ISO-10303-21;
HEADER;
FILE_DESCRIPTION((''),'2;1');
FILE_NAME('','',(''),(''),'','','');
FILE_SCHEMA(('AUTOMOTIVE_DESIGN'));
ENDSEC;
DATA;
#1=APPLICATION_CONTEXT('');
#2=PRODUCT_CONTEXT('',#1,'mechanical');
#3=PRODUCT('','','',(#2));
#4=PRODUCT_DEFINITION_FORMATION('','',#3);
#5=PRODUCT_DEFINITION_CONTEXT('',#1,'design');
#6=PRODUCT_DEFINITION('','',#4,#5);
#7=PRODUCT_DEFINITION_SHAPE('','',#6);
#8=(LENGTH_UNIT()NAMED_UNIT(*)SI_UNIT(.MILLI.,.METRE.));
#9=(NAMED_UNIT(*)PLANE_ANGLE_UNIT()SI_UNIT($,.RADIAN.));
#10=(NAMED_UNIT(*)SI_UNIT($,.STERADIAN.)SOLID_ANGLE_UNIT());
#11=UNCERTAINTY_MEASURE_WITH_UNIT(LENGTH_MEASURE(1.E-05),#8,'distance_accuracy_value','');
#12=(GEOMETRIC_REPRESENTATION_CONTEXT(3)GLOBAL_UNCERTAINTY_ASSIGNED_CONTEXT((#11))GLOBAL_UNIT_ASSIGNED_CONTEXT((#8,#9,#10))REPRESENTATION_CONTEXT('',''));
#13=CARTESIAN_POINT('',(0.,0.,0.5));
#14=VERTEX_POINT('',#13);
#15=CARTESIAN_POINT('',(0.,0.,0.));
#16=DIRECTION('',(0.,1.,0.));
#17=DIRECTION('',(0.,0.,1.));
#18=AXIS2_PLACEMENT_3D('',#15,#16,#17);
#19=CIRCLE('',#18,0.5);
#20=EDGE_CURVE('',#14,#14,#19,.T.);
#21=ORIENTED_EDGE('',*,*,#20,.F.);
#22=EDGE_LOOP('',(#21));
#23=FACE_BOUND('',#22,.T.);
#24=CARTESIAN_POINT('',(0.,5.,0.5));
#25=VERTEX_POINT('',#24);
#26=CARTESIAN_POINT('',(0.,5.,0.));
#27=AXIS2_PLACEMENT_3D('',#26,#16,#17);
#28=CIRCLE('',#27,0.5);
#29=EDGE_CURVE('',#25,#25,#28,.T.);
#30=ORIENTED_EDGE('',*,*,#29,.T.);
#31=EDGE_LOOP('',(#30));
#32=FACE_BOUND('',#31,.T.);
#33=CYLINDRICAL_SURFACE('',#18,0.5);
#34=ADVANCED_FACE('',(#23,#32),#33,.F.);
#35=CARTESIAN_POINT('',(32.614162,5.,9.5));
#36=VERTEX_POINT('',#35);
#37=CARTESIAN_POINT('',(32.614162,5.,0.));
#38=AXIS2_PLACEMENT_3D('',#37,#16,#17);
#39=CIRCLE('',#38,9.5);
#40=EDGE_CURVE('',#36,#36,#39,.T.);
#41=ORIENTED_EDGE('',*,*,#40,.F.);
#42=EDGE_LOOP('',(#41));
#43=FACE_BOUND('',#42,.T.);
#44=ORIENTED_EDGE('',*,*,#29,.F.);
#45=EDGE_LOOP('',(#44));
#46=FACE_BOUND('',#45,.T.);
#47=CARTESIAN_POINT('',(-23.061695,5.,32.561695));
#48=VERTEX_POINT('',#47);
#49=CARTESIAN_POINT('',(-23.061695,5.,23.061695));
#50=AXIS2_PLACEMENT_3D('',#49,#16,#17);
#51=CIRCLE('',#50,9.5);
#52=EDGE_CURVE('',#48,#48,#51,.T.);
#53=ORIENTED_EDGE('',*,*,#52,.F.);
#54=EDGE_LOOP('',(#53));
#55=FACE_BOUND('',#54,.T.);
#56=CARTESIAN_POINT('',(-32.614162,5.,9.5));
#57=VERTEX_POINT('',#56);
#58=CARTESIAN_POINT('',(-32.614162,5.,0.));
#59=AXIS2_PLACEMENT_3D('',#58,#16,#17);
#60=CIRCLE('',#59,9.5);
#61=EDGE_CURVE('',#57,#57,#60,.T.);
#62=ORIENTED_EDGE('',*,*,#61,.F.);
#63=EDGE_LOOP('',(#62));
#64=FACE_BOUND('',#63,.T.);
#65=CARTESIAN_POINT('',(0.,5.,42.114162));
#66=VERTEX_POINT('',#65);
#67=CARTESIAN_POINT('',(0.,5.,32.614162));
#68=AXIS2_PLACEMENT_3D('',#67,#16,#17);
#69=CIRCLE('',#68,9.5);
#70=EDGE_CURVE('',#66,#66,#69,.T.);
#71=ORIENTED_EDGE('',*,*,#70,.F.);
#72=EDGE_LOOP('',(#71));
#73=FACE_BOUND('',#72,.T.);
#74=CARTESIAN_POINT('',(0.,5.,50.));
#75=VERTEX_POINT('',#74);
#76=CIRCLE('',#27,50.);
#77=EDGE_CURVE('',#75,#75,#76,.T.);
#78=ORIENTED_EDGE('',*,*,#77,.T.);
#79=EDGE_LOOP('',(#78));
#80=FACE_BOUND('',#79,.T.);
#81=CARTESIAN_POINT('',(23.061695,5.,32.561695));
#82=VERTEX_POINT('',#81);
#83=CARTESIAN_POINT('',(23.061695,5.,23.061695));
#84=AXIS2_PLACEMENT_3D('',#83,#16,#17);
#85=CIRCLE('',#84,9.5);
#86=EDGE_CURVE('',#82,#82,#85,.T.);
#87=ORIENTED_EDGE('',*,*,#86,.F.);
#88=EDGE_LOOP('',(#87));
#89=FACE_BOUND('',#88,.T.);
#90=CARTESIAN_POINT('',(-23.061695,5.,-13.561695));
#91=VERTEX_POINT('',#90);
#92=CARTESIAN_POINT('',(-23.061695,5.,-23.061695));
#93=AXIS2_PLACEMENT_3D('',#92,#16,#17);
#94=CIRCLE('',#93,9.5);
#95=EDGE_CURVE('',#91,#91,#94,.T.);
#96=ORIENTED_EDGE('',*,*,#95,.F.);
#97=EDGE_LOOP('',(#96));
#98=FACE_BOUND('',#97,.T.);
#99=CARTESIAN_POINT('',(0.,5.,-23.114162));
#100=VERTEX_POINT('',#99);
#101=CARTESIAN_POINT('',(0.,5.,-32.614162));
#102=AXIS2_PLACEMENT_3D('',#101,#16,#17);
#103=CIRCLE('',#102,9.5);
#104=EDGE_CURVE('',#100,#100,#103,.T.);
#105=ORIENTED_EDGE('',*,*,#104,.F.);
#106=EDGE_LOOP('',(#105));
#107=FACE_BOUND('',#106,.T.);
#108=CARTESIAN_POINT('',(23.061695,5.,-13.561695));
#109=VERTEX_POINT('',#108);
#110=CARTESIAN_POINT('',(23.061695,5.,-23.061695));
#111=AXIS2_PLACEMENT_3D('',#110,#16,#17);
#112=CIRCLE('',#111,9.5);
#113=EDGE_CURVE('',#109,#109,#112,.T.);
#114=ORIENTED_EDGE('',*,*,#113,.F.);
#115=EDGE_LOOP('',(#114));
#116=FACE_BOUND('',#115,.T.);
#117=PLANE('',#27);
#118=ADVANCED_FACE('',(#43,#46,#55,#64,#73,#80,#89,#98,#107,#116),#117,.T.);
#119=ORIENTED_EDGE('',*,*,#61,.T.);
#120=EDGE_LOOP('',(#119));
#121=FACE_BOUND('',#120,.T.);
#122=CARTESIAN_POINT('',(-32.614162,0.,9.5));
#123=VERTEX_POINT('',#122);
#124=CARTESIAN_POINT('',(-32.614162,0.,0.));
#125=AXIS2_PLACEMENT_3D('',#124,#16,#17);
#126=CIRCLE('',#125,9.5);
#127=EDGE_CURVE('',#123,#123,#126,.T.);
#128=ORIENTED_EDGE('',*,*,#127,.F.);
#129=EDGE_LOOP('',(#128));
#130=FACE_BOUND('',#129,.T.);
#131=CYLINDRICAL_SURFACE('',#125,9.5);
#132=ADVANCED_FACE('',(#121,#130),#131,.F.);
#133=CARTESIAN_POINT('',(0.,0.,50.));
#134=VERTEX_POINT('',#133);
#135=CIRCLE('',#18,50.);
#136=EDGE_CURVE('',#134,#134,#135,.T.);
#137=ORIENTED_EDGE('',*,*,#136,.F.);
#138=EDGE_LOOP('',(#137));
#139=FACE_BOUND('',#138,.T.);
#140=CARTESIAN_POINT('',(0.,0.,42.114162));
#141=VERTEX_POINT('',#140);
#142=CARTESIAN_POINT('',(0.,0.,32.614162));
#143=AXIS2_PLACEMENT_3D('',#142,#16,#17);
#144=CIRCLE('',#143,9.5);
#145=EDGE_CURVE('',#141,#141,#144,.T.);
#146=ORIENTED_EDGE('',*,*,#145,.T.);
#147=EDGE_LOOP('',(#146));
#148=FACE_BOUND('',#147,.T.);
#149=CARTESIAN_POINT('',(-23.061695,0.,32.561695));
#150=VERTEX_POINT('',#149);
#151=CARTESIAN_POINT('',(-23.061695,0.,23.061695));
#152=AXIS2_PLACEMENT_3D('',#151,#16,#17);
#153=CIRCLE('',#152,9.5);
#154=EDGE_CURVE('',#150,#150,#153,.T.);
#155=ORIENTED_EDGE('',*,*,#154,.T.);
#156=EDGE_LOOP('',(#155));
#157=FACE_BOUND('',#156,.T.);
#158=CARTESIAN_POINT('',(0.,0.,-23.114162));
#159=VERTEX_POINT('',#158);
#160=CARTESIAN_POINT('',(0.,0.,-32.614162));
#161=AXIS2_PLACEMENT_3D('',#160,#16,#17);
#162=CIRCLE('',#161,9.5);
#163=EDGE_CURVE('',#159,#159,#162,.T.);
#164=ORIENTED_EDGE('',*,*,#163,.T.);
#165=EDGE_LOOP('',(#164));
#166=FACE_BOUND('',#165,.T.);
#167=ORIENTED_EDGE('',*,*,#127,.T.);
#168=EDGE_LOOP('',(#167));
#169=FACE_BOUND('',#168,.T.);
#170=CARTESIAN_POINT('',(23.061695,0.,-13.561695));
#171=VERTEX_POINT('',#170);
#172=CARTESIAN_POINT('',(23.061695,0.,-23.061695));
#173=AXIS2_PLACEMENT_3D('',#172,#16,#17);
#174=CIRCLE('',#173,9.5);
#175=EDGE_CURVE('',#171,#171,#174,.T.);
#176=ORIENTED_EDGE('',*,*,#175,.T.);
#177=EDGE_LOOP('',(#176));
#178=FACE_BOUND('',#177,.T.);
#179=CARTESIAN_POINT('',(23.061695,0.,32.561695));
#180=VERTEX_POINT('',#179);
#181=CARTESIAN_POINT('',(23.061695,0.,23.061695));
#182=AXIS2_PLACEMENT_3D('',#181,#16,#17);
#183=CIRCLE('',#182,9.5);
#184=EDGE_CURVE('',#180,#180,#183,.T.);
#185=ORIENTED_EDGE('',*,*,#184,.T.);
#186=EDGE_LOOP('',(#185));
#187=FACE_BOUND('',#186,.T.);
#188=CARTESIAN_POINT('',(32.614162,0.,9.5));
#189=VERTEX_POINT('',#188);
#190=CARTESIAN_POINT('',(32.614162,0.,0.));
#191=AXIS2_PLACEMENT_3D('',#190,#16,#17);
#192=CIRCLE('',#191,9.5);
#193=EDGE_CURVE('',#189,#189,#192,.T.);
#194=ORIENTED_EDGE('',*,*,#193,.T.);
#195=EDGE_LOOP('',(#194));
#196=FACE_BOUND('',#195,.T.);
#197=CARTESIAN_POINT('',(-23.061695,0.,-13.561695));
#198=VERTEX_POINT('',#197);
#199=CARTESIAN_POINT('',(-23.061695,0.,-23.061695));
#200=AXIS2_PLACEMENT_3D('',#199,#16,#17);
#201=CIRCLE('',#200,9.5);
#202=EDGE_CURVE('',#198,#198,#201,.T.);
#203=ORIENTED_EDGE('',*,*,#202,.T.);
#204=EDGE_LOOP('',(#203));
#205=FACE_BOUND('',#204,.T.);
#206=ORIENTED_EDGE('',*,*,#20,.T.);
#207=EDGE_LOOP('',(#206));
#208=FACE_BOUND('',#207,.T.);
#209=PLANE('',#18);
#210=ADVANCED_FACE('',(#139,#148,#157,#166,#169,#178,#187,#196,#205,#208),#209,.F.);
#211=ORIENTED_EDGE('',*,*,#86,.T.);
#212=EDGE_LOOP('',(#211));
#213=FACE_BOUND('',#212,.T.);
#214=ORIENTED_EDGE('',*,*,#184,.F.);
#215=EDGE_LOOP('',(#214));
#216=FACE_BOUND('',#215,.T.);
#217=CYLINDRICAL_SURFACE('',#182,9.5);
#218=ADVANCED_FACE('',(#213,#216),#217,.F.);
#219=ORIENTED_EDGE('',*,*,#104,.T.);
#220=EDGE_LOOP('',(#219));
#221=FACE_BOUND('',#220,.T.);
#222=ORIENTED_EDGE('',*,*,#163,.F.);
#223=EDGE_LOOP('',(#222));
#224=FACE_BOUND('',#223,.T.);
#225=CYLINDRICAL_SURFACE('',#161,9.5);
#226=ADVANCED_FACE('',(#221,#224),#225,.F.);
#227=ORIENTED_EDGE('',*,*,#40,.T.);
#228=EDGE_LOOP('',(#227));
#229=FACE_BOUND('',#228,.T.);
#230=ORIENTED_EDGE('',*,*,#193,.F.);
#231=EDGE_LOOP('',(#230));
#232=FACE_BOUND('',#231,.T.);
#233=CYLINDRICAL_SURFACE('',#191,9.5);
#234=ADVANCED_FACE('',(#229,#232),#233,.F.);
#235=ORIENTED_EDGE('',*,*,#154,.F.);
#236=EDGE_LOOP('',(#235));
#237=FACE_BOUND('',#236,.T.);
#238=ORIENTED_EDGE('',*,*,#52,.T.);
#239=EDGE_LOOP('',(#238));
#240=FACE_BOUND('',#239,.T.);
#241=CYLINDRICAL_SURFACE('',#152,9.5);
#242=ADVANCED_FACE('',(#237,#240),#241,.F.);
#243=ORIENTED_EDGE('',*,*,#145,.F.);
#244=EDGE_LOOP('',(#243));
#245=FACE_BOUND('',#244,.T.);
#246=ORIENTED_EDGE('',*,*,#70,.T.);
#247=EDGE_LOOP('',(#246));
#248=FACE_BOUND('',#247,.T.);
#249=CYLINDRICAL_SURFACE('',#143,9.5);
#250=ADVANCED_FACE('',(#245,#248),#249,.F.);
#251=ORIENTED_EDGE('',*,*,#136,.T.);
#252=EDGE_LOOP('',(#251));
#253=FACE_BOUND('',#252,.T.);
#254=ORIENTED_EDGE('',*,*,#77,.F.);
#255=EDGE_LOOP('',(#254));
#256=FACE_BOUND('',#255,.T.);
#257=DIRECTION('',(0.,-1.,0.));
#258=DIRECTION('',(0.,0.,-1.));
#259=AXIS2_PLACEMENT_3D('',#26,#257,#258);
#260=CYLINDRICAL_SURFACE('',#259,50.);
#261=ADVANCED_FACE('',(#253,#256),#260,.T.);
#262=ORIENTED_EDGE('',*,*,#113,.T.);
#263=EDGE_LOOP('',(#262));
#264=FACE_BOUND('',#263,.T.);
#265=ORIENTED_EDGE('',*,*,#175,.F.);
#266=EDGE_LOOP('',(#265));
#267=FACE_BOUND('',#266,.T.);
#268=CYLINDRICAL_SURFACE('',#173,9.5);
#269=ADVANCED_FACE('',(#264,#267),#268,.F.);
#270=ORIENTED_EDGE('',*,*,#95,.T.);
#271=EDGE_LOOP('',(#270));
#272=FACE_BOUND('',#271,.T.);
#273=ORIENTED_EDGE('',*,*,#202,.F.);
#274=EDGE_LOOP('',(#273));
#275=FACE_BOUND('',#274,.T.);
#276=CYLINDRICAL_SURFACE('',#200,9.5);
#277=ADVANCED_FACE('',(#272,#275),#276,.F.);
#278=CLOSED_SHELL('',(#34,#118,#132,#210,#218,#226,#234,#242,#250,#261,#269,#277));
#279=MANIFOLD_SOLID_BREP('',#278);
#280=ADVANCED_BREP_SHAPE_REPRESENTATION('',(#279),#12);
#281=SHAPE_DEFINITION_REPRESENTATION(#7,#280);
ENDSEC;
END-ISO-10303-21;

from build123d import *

# Parameters (mm, degrees)
SKETCH1_R           = 50
BOSS_EXTRUDE1_DEPTH = 5
SKETCH2_R           = 9.5
SKETCH2_R_2         = 0.5
CUT_EXTRUDE1_DEPTH  = 5


with BuildPart() as part:
    # Sketch1 → Boss-Extrude1 (new body)
    with BuildSketch(Plane(origin=(0, 0, 0), x_dir=(1, 0, 0), z_dir=(0, 1, 0))):
        Circle(SKETCH1_R)
    extrude(amount=BOSS_EXTRUDE1_DEPTH)

    # Sketch2 → Cut-Extrude1 (cut)
    with BuildSketch(Plane(origin=(0, 5, 0), x_dir=(1, 0, 0), z_dir=(0, 1, 0))):
        with Locations((0, 32.614161607)):
            Circle(SKETCH2_R)
        Circle(SKETCH2_R_2)
        with Locations((23.061694835, 23.061694835)):
            Circle(SKETCH2_R)
        with Locations((32.614161607, 0)):
            Circle(SKETCH2_R)
        with Locations((23.061694835, -23.061694835)):
            Circle(SKETCH2_R)
        with Locations((0, -32.614161607)):
            Circle(SKETCH2_R)
        with Locations((-23.061694835, -23.061694835)):
            Circle(SKETCH2_R)
        with Locations((-32.614161607, 0)):
            Circle(SKETCH2_R)
        with Locations((-23.061694835, 23.061694835)):
            Circle(SKETCH2_R)
    extrude(amount=-CUT_EXTRUDE1_DEPTH, mode=Mode.SUBTRACT)


solid = part.part
